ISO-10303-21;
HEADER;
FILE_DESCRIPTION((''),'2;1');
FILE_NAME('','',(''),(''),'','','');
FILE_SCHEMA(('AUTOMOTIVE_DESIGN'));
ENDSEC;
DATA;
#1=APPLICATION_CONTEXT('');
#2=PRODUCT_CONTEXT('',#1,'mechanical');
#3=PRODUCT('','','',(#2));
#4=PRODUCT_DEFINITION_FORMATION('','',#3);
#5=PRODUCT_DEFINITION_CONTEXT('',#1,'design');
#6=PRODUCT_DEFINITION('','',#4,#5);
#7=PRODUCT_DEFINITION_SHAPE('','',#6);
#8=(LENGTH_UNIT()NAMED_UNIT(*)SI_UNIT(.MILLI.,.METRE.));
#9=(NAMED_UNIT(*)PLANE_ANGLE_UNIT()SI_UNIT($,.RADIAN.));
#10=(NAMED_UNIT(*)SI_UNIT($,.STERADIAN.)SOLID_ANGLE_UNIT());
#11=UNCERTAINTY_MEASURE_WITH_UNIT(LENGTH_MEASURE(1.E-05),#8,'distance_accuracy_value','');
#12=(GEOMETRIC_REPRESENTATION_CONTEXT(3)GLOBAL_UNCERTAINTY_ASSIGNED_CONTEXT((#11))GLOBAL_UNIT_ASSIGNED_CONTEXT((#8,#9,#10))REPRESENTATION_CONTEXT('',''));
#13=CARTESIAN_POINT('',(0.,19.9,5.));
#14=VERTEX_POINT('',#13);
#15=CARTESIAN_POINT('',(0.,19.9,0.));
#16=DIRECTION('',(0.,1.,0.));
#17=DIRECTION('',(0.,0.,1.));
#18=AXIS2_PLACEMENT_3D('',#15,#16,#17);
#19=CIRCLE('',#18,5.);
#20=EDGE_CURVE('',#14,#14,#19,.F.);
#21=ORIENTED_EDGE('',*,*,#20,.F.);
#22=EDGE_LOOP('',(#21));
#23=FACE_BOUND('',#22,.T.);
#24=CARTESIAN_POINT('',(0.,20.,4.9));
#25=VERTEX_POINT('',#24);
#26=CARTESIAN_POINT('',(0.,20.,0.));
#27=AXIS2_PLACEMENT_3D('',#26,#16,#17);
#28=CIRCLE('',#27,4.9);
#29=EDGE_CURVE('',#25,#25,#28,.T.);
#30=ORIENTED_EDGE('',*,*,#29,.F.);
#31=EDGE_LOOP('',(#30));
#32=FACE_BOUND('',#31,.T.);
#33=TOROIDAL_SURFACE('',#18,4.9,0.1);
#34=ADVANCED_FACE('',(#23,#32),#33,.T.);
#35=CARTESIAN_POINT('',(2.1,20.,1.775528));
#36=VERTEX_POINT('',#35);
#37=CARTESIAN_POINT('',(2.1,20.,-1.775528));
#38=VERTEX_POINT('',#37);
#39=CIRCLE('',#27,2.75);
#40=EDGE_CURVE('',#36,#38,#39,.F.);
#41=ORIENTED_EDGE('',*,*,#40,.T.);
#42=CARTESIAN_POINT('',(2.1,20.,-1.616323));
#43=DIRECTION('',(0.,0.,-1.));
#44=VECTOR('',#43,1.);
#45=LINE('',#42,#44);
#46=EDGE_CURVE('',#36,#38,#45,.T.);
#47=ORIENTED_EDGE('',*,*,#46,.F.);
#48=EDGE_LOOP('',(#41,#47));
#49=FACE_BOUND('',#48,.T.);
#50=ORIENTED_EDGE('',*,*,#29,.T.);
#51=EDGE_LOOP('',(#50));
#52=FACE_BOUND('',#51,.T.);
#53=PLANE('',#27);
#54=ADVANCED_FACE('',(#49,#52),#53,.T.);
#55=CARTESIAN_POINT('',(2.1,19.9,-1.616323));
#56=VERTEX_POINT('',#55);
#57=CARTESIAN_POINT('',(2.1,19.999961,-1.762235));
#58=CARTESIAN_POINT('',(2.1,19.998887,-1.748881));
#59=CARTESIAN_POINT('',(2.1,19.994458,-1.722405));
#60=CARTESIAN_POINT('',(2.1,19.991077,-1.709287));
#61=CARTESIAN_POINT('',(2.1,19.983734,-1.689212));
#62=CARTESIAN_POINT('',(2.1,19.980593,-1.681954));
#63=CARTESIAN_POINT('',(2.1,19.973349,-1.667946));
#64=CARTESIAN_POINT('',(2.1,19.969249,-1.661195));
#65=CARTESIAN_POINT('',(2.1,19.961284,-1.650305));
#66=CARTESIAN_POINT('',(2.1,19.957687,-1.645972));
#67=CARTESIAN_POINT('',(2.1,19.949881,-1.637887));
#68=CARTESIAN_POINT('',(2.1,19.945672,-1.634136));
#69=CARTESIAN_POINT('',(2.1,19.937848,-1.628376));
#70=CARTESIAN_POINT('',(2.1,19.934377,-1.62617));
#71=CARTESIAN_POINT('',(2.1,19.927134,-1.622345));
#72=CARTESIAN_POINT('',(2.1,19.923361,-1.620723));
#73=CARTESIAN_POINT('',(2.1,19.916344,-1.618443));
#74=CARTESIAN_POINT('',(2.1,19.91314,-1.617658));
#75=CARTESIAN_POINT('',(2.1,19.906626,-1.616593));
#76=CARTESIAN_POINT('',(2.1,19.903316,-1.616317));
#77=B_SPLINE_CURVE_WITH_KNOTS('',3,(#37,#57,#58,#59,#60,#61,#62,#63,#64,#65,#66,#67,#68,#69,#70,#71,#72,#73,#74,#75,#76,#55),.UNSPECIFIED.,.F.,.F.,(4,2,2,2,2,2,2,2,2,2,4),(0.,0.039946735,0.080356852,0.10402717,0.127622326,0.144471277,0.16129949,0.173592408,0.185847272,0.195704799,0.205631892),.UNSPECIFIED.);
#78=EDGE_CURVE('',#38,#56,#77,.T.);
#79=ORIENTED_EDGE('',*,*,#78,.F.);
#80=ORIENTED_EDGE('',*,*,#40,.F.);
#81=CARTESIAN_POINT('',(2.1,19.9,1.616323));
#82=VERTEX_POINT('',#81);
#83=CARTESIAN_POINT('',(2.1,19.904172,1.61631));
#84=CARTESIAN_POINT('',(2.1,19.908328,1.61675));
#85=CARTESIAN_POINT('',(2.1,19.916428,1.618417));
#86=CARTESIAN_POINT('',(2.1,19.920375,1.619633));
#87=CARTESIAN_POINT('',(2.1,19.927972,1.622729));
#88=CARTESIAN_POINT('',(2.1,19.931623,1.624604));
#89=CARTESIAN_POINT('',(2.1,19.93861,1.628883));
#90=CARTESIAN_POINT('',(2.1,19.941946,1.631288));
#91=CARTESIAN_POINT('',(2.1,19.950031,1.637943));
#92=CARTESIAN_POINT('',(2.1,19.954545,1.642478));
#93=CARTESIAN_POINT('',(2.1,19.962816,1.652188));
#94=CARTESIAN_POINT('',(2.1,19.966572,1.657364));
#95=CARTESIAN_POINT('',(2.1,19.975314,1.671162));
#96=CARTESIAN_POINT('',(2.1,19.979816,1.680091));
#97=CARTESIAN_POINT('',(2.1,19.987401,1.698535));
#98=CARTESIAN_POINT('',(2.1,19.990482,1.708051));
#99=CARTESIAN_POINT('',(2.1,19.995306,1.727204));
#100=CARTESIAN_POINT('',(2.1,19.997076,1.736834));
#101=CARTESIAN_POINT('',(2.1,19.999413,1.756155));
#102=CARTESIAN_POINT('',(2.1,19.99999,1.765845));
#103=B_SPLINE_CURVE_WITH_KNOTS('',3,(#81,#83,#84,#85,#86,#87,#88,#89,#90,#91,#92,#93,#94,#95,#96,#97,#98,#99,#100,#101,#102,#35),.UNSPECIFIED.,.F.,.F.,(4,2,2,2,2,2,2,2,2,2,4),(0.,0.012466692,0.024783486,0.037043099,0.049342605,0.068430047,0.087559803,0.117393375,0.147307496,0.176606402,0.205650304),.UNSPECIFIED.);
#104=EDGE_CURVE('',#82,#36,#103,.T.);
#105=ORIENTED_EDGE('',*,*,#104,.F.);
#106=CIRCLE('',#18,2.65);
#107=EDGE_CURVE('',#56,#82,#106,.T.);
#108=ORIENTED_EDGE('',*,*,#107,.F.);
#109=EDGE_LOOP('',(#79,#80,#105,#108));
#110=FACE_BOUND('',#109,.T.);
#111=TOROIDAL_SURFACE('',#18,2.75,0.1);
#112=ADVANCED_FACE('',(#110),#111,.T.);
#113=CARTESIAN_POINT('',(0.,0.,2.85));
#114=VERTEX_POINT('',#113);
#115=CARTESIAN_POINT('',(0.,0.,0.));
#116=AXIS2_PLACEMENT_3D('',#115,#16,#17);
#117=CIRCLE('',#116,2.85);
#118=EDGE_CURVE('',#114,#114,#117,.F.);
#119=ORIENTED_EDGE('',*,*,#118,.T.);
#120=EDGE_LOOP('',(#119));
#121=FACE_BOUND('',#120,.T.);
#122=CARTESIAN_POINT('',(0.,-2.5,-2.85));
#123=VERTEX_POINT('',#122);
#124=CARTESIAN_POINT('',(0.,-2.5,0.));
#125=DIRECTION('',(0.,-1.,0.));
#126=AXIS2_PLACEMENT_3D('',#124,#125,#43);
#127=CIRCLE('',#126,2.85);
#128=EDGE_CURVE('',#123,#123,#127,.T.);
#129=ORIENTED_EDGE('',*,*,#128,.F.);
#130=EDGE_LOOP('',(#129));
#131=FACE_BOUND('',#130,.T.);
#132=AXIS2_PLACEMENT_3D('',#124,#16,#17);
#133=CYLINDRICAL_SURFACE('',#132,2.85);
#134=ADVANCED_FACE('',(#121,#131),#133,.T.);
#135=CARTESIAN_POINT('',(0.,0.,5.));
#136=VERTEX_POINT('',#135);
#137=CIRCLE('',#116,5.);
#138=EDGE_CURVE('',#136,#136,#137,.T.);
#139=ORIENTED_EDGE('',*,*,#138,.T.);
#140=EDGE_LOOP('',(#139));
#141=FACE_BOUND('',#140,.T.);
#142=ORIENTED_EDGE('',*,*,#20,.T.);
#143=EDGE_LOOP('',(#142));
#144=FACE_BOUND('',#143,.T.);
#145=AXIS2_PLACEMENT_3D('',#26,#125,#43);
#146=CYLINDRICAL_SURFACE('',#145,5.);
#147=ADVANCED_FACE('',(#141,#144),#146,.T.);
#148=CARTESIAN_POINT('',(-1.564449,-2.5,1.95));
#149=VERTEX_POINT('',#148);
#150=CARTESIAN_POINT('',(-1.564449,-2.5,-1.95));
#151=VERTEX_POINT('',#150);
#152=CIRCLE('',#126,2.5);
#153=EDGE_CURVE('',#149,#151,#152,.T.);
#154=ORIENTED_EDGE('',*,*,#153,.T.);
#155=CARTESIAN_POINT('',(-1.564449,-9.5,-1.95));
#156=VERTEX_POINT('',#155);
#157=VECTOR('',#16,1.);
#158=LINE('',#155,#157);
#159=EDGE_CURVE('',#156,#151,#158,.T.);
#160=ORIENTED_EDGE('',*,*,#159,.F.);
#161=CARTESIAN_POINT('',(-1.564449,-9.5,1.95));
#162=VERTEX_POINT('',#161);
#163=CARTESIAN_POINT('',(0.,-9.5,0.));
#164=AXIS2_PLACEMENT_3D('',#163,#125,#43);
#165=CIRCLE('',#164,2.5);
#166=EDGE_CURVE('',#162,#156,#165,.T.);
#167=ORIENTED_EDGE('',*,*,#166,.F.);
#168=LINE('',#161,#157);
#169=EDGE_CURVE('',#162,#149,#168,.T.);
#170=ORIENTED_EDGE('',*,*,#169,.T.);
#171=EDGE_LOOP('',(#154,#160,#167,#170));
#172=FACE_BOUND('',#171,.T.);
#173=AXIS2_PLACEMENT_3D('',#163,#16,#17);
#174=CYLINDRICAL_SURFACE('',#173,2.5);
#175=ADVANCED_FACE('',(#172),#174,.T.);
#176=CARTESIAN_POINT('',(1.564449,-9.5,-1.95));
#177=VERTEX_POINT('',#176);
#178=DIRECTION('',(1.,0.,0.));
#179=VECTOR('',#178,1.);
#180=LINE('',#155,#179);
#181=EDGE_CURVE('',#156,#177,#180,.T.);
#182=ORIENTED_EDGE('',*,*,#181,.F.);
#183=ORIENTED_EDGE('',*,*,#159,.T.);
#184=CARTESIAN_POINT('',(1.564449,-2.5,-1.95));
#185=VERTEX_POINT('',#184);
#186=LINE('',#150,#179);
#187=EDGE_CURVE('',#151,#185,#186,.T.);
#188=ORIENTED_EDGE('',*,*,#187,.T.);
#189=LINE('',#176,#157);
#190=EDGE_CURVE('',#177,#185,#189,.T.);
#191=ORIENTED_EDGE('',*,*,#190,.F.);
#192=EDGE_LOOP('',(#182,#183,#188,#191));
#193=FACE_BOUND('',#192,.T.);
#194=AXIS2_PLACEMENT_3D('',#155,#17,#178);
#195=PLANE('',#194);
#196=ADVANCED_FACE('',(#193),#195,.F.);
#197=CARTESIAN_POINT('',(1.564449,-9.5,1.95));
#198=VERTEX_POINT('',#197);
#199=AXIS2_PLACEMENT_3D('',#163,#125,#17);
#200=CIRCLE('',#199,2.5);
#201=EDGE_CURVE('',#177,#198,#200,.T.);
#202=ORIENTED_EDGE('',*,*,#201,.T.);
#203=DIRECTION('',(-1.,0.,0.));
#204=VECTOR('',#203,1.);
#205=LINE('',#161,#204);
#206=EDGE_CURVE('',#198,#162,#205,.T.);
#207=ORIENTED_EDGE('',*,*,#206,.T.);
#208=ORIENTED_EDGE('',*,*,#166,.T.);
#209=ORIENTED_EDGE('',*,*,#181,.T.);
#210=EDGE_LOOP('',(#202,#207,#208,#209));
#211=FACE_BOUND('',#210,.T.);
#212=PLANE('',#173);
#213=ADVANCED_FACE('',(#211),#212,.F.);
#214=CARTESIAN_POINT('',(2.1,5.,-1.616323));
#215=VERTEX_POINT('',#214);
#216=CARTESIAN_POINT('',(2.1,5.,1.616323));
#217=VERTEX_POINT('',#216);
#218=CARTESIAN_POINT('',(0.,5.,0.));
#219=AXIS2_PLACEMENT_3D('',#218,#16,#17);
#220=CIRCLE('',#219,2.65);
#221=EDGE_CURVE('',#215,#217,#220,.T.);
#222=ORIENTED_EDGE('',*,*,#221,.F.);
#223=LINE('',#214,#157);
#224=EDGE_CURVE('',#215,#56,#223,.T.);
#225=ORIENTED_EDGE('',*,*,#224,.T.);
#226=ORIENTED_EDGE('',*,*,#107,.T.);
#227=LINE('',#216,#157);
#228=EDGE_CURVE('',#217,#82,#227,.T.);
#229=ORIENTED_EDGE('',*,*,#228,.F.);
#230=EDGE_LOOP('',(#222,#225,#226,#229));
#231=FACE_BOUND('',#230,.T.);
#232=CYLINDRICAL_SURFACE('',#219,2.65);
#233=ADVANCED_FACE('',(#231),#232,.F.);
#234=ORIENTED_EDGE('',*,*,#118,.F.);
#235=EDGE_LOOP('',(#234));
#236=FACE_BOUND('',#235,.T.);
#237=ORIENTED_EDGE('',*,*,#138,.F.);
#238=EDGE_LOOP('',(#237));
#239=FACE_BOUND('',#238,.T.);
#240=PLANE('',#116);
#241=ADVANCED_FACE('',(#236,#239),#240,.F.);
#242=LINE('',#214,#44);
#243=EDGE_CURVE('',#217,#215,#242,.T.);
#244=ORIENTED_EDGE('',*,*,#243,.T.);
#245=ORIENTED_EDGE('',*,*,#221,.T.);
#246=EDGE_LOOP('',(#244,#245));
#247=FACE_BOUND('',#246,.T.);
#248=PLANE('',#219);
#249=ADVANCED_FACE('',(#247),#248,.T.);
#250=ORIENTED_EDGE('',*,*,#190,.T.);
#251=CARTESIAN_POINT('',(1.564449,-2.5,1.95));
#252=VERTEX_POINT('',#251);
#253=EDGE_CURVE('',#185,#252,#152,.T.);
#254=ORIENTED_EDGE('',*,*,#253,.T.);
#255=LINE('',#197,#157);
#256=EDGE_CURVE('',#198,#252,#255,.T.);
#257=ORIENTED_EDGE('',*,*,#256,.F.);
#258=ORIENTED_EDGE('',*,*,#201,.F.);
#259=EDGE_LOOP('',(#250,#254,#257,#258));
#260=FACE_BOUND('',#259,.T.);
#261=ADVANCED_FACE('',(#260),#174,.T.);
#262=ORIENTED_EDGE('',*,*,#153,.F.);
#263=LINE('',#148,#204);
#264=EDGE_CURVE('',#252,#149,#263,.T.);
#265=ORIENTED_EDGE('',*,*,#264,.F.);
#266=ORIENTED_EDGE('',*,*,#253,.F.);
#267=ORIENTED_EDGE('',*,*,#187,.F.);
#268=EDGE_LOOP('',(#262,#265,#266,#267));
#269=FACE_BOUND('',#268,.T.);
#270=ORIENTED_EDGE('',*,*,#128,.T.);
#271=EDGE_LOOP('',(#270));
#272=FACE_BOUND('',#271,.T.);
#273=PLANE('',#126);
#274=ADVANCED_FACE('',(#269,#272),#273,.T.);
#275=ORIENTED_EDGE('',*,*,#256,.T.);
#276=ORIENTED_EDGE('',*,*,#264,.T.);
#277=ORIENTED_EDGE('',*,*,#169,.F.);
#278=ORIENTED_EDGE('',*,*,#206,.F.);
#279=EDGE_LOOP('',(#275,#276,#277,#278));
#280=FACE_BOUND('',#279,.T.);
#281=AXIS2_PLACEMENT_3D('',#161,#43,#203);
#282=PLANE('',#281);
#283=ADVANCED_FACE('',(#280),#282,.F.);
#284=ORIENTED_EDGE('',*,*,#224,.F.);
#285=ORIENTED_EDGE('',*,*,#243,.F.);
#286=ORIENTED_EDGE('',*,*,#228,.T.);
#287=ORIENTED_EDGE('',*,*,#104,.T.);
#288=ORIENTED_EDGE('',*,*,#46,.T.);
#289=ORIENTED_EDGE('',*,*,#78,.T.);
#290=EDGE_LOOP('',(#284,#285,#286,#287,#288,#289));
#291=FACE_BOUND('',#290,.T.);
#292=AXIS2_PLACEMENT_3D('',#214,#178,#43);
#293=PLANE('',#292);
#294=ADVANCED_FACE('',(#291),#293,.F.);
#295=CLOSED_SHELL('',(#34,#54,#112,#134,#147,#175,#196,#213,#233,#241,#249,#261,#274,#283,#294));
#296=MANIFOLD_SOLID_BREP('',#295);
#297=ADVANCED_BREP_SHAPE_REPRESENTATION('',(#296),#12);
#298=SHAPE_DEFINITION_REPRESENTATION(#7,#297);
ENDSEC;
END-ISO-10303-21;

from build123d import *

# Parameters (mm, degrees)
SKETCH2_R           = 5
BOSS_EXTRUDE1_DEPTH = 20
CUT_EXTRUDE3_DEPTH  = 15
BOSS_EXTRUDE2_DEPTH = 9.5
SKETCH6_R           = 2.85
BOSS_EXTRUDE3_DEPTH = 2.5
FILLET3_R           = 0.1


with BuildPart() as part:
    # Sketch2 → Boss-Extrude1 (new body)
    with BuildSketch(Plane(origin=(0, 0, 0), x_dir=(1, 0, 0), z_dir=(0, 1, 0))):
        with Locations(Location((0, 0, 0), (0, 0, 270))):
            Circle(SKETCH2_R)
    extrude(amount=BOSS_EXTRUDE1_DEPTH)

    # Sketch3 → Cut-Extrude3 (cut)
    with BuildSketch(Plane(origin=(0, 20, 0), x_dir=(1, 0, 0), z_dir=(0, 1, 0))):
        with BuildLine():
            Line((2.1, 1.616322988), (2.1, -1.616322988))
            ThreePointArc((2.1, -1.616322988), (-2.65, 0), (2.1, 1.616322988))
        make_face()
    extrude(amount=-CUT_EXTRUDE3_DEPTH, mode=Mode.SUBTRACT)

    # Sketch4 → Boss-Extrude2 (add)
    with BuildSketch(Plane(origin=(0, 0, 0), x_dir=(-1, 0, 0), z_dir=(0, -1, 0))):
        with BuildLine():
            Line((1.564448785, 1.95), (-1.564448785, 1.95))
            ThreePointArc((-1.564448785, 1.95), (-2.5, 0), (-1.564448785, -1.95))
            Line((-1.564448785, -1.95), (1.564448785, -1.95))
            ThreePointArc((1.564448785, -1.95), (2.5, 0), (1.564448785, 1.95))
        make_face()
    extrude(amount=BOSS_EXTRUDE2_DEPTH)

    # Sketch6 → Boss-Extrude3 (add)
    with BuildSketch(Plane.XZ):
        with Locations(Location((0, 0, 0), (0, 0, 90))):
            Circle(SKETCH6_R)
    extrude(amount=BOSS_EXTRUDE3_DEPTH)

    # Fillet3
    fillet3_edges = [part.edges().sort_by_distance(p)[0] for p in [
        (0, 20, -5),
        (-2.65, 20, 0),
    ]]
    fillet(fillet3_edges, radius=FILLET3_R)


solid = part.part
